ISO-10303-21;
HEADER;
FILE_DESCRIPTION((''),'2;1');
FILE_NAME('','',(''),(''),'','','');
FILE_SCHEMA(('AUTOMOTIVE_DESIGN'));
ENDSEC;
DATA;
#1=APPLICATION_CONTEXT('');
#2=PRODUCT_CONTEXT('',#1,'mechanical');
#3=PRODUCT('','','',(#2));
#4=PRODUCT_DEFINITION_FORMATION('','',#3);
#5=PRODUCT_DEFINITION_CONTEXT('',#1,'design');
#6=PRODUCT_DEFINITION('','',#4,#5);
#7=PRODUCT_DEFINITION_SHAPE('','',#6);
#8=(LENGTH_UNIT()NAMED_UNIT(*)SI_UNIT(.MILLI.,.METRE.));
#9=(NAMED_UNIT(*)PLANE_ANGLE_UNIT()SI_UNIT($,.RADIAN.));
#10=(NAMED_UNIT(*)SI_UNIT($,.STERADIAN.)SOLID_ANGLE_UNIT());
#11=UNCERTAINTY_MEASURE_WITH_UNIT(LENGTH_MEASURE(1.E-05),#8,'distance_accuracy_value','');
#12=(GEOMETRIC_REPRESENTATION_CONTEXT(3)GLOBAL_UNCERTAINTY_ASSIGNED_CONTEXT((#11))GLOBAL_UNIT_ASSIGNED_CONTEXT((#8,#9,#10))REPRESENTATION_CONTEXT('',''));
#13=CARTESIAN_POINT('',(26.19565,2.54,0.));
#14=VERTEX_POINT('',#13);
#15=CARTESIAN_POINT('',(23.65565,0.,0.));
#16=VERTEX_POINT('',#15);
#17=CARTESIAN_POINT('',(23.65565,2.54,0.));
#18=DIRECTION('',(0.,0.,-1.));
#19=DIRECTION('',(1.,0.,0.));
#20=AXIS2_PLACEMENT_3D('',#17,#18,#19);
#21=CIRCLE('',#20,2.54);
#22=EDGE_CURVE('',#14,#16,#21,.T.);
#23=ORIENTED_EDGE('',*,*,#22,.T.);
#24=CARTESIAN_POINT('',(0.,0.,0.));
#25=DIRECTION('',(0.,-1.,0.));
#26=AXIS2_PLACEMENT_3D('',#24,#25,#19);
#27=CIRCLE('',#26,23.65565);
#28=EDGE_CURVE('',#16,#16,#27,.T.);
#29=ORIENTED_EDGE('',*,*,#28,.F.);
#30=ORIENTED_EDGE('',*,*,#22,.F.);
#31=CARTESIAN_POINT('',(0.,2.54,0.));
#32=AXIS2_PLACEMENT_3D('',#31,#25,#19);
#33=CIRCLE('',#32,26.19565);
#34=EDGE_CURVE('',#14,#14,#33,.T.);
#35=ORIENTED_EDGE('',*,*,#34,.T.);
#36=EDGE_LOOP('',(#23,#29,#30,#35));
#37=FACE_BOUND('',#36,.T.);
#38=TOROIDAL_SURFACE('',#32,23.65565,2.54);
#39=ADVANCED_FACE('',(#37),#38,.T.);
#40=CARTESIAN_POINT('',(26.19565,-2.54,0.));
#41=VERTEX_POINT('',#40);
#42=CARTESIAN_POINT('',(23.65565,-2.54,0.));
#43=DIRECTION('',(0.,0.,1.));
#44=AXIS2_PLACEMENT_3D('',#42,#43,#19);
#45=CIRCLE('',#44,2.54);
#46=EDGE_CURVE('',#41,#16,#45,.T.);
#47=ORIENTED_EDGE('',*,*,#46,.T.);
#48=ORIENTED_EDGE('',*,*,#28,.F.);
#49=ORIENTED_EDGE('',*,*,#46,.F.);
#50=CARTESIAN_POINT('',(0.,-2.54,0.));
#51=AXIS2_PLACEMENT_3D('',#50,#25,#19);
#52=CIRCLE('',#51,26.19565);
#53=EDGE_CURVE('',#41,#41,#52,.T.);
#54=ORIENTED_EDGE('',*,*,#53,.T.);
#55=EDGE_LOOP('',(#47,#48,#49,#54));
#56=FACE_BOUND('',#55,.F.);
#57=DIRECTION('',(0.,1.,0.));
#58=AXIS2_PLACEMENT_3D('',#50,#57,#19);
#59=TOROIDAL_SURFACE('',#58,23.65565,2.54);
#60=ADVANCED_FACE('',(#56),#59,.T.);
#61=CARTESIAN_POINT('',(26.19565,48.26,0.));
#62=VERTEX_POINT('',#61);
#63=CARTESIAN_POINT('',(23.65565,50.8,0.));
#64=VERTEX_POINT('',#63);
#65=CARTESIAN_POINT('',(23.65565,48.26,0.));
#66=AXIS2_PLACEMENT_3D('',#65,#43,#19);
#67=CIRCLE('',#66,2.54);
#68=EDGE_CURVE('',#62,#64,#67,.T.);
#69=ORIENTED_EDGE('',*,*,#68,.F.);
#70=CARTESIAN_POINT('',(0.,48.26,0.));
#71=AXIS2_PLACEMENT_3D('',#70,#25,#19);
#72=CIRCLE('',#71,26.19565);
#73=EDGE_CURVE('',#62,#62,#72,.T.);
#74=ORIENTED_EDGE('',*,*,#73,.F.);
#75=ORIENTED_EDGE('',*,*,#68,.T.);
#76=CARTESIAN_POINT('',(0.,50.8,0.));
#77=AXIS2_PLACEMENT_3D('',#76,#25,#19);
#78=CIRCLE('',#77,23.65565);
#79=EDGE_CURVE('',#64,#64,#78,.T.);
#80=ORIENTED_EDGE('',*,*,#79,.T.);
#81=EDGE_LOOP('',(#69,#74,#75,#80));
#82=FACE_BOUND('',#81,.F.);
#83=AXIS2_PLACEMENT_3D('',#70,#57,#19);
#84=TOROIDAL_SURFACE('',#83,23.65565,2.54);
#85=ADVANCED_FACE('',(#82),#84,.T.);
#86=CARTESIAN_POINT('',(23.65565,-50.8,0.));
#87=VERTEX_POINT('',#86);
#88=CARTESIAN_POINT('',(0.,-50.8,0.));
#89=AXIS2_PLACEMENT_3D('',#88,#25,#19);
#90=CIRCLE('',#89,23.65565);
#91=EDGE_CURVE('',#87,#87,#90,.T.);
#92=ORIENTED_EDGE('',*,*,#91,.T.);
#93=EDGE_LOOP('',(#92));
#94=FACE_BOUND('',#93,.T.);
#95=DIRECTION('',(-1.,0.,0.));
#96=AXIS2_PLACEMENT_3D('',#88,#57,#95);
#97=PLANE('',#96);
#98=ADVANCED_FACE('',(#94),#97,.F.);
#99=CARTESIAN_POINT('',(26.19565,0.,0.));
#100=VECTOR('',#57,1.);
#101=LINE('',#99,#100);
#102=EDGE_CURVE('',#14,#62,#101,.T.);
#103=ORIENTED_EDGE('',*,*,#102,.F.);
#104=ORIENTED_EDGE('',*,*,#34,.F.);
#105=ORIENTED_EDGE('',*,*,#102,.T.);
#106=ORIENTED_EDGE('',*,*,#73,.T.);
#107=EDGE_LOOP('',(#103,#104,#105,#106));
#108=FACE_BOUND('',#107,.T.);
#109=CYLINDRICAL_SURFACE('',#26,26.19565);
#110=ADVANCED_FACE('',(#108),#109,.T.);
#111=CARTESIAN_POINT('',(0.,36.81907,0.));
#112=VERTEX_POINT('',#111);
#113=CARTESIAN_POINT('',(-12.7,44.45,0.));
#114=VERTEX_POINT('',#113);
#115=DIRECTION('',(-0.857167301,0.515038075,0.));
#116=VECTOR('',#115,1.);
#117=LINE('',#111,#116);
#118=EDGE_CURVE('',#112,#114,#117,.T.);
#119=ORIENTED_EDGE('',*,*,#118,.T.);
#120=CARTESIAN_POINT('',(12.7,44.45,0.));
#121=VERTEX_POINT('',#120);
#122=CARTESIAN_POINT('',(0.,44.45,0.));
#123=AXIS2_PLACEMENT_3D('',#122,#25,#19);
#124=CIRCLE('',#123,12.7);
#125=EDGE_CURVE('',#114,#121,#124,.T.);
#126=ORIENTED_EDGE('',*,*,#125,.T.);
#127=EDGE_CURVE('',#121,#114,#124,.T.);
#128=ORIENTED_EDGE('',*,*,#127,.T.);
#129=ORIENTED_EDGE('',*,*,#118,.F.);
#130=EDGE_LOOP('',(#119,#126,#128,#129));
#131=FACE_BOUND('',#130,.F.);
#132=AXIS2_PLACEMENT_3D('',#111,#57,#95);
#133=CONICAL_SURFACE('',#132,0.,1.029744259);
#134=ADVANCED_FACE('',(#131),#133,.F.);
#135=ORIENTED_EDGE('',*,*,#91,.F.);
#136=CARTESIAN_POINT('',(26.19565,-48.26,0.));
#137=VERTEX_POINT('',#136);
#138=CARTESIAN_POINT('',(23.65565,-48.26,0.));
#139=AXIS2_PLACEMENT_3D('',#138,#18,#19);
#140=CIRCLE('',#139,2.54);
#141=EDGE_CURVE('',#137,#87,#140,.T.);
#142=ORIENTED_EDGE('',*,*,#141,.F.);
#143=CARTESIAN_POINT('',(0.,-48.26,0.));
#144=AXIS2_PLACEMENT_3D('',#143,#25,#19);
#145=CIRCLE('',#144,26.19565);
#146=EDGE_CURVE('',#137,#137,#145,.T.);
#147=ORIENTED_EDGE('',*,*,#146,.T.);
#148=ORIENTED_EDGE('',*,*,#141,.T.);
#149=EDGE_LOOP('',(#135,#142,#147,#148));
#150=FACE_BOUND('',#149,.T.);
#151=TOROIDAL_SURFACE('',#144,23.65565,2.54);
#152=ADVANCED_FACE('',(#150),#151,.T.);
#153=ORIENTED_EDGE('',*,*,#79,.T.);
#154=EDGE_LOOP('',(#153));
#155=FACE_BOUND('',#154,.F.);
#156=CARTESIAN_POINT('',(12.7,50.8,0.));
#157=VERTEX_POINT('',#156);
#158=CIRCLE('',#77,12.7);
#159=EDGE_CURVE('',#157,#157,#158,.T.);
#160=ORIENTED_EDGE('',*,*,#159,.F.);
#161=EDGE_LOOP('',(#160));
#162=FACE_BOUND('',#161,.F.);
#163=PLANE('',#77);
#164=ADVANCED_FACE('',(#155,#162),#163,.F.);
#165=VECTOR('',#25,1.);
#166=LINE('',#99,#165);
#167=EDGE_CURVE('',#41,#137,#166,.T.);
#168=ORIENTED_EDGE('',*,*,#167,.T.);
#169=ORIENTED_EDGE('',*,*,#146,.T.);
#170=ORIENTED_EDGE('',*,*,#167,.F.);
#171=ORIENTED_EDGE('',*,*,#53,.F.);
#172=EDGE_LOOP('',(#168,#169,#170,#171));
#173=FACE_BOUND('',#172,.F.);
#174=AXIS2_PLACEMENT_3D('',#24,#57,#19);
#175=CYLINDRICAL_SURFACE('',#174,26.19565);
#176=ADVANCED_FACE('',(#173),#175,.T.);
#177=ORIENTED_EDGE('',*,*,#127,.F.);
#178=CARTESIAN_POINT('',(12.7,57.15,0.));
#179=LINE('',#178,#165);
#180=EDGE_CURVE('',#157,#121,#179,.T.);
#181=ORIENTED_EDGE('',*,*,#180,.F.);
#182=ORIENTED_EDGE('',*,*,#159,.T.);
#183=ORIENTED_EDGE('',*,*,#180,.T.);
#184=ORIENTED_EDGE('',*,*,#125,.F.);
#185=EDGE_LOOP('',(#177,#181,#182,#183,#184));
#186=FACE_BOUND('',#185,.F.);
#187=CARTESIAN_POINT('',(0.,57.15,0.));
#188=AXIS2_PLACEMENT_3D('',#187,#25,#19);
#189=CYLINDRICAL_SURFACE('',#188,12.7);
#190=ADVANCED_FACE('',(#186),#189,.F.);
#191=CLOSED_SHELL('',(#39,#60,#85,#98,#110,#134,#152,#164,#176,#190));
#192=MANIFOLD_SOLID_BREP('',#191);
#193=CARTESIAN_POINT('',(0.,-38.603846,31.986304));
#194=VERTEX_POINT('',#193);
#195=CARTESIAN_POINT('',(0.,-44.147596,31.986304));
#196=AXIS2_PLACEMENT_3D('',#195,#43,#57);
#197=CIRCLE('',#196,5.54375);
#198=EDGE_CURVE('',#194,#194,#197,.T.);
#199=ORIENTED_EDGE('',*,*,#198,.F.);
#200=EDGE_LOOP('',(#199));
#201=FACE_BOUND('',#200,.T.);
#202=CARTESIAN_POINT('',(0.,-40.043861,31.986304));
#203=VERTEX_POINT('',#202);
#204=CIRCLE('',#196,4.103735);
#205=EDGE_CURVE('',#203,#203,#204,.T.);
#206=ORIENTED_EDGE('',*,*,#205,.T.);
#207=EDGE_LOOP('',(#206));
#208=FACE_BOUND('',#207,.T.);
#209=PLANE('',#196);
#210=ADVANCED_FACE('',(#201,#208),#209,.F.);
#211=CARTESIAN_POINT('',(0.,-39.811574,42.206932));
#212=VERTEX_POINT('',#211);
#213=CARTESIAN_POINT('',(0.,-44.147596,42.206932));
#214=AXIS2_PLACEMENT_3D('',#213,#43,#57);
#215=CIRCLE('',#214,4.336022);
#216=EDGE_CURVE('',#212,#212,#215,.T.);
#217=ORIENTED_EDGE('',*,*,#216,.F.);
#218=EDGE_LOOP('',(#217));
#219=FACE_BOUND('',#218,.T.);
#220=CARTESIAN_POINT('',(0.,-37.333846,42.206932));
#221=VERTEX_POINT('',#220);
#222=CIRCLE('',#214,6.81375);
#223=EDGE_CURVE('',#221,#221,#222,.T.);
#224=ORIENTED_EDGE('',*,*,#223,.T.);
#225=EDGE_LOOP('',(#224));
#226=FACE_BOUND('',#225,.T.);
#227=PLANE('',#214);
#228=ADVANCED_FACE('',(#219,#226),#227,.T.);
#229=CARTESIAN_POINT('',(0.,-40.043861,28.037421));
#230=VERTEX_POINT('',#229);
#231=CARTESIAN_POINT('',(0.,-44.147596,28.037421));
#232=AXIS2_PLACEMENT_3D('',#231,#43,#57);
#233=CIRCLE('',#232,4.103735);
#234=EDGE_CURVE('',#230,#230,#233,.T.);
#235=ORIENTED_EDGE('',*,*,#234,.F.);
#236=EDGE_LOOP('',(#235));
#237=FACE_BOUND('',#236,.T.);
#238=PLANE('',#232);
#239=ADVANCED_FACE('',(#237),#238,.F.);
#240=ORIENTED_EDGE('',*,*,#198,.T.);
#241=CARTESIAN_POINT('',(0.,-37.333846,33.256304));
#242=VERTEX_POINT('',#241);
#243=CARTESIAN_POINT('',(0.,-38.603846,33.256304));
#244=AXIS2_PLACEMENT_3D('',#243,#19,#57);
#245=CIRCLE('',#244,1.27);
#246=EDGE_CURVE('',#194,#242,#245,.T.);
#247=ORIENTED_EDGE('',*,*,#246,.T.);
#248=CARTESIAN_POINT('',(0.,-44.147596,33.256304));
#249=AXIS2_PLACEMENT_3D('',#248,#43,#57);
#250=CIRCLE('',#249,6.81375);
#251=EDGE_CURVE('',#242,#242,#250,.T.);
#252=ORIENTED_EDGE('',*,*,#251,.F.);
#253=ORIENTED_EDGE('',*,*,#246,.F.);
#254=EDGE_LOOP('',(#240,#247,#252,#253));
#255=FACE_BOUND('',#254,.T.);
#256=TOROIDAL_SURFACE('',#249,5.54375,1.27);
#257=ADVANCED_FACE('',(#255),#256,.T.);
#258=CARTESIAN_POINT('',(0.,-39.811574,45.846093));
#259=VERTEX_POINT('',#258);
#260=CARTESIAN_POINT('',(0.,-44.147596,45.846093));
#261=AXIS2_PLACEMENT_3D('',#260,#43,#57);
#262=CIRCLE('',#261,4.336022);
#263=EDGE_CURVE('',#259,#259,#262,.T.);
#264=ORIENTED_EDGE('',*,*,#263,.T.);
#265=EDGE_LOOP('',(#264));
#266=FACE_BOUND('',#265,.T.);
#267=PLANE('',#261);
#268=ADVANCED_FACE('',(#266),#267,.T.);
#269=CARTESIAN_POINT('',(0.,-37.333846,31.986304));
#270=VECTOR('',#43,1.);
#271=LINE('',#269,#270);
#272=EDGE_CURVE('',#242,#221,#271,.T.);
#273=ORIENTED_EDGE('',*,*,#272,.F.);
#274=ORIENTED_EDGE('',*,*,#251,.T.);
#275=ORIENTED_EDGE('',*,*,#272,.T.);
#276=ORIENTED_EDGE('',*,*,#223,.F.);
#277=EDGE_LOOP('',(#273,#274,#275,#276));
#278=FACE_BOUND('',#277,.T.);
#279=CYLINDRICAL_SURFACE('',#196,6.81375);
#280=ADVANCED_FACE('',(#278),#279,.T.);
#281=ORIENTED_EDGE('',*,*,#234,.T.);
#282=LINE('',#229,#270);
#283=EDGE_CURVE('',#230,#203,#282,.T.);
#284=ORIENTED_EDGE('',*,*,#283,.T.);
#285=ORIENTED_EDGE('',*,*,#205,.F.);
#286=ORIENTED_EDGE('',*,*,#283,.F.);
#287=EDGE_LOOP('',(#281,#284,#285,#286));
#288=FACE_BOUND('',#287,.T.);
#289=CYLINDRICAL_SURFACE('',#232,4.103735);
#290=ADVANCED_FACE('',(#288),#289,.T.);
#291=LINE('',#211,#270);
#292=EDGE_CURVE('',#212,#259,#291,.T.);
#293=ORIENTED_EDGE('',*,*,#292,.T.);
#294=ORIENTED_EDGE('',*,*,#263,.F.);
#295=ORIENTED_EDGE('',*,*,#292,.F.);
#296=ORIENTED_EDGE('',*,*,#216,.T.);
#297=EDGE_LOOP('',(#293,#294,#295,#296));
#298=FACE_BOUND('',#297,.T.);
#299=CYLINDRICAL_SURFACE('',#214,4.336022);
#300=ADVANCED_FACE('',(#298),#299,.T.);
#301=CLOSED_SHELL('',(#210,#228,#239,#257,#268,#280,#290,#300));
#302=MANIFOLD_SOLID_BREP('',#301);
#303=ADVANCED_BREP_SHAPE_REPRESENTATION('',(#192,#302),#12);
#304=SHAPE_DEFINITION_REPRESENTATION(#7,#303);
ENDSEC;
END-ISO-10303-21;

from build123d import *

# Parameters (mm, degrees)
F0_R     = 26.1956504321
F1_DEPTH = 50.8
F2_R     = 2.54
F6_R     = 1.27
F8_D     = 25.4
F8_DEPTH = 6.35
F8_TIP   = 7.6309298617


with BuildPart() as f1:
    # F0 (on Front) → F1 (new body)
    with BuildSketch(Plane.XZ):
        Circle(F0_R)
    extrude(amount=-F1_DEPTH)

    # F2
    f2_edges = [f1.edges().sort_by_distance(p)[0] for p in [
        (26.19565, 25.4, 0),
        (-26.19565, 0, 0),
        (-26.19565, 50.8, 0),
    ]]
    fillet(f2_edges, radius=F2_R)

    # F3: F1 across plane


with BuildPart() as f1_1:
    add(f1.part)
    add(f1.part.mirror(Plane.XZ))

    # F8
    with Locations(Plane(origin=(0, 50.8, 0), x_dir=(-1, 0, 0), z_dir=(0, 1, 0))):
        with Locations((0, 0)):
            Hole(F8_D / 2, depth=F8_DEPTH)
            with Locations((0, 0, -(F8_DEPTH + F8_TIP / 2))):  # 118° drill point
                Cone(0, F8_D / 2, F8_TIP, mode=Mode.SUBTRACT)


with BuildPart() as f5:
    # F4 (on Right) → F5 (revolve)
    with BuildSketch(Plane.YZ):
        Polygon((-39.8115739226, 45.846093446), (-44.1475957632, 45.846093446), (-44.1475957632, 28.0374214053), (-43.462857604, 28.0374214053), (-40.0438606739, 28.0374214053), (-40.0438606739, 31.9863036275), (-37.3338460922, 31.9863036275), (-37.3338460922, 42.2069318593), (-39.8115739226, 42.2069318593), align=None)
    revolve(axis=Axis((0, -44.1475957632, 36.9417574257), (0, 0, 1)))

    # F6
    f6_edges = [f5.edges().sort_by_distance(p)[0] for p in [
        (0, -50.961345, 31.986304),
    ]]
    fillet(f6_edges, radius=F6_R)


solid = Compound([f1_1.part, f5.part])
